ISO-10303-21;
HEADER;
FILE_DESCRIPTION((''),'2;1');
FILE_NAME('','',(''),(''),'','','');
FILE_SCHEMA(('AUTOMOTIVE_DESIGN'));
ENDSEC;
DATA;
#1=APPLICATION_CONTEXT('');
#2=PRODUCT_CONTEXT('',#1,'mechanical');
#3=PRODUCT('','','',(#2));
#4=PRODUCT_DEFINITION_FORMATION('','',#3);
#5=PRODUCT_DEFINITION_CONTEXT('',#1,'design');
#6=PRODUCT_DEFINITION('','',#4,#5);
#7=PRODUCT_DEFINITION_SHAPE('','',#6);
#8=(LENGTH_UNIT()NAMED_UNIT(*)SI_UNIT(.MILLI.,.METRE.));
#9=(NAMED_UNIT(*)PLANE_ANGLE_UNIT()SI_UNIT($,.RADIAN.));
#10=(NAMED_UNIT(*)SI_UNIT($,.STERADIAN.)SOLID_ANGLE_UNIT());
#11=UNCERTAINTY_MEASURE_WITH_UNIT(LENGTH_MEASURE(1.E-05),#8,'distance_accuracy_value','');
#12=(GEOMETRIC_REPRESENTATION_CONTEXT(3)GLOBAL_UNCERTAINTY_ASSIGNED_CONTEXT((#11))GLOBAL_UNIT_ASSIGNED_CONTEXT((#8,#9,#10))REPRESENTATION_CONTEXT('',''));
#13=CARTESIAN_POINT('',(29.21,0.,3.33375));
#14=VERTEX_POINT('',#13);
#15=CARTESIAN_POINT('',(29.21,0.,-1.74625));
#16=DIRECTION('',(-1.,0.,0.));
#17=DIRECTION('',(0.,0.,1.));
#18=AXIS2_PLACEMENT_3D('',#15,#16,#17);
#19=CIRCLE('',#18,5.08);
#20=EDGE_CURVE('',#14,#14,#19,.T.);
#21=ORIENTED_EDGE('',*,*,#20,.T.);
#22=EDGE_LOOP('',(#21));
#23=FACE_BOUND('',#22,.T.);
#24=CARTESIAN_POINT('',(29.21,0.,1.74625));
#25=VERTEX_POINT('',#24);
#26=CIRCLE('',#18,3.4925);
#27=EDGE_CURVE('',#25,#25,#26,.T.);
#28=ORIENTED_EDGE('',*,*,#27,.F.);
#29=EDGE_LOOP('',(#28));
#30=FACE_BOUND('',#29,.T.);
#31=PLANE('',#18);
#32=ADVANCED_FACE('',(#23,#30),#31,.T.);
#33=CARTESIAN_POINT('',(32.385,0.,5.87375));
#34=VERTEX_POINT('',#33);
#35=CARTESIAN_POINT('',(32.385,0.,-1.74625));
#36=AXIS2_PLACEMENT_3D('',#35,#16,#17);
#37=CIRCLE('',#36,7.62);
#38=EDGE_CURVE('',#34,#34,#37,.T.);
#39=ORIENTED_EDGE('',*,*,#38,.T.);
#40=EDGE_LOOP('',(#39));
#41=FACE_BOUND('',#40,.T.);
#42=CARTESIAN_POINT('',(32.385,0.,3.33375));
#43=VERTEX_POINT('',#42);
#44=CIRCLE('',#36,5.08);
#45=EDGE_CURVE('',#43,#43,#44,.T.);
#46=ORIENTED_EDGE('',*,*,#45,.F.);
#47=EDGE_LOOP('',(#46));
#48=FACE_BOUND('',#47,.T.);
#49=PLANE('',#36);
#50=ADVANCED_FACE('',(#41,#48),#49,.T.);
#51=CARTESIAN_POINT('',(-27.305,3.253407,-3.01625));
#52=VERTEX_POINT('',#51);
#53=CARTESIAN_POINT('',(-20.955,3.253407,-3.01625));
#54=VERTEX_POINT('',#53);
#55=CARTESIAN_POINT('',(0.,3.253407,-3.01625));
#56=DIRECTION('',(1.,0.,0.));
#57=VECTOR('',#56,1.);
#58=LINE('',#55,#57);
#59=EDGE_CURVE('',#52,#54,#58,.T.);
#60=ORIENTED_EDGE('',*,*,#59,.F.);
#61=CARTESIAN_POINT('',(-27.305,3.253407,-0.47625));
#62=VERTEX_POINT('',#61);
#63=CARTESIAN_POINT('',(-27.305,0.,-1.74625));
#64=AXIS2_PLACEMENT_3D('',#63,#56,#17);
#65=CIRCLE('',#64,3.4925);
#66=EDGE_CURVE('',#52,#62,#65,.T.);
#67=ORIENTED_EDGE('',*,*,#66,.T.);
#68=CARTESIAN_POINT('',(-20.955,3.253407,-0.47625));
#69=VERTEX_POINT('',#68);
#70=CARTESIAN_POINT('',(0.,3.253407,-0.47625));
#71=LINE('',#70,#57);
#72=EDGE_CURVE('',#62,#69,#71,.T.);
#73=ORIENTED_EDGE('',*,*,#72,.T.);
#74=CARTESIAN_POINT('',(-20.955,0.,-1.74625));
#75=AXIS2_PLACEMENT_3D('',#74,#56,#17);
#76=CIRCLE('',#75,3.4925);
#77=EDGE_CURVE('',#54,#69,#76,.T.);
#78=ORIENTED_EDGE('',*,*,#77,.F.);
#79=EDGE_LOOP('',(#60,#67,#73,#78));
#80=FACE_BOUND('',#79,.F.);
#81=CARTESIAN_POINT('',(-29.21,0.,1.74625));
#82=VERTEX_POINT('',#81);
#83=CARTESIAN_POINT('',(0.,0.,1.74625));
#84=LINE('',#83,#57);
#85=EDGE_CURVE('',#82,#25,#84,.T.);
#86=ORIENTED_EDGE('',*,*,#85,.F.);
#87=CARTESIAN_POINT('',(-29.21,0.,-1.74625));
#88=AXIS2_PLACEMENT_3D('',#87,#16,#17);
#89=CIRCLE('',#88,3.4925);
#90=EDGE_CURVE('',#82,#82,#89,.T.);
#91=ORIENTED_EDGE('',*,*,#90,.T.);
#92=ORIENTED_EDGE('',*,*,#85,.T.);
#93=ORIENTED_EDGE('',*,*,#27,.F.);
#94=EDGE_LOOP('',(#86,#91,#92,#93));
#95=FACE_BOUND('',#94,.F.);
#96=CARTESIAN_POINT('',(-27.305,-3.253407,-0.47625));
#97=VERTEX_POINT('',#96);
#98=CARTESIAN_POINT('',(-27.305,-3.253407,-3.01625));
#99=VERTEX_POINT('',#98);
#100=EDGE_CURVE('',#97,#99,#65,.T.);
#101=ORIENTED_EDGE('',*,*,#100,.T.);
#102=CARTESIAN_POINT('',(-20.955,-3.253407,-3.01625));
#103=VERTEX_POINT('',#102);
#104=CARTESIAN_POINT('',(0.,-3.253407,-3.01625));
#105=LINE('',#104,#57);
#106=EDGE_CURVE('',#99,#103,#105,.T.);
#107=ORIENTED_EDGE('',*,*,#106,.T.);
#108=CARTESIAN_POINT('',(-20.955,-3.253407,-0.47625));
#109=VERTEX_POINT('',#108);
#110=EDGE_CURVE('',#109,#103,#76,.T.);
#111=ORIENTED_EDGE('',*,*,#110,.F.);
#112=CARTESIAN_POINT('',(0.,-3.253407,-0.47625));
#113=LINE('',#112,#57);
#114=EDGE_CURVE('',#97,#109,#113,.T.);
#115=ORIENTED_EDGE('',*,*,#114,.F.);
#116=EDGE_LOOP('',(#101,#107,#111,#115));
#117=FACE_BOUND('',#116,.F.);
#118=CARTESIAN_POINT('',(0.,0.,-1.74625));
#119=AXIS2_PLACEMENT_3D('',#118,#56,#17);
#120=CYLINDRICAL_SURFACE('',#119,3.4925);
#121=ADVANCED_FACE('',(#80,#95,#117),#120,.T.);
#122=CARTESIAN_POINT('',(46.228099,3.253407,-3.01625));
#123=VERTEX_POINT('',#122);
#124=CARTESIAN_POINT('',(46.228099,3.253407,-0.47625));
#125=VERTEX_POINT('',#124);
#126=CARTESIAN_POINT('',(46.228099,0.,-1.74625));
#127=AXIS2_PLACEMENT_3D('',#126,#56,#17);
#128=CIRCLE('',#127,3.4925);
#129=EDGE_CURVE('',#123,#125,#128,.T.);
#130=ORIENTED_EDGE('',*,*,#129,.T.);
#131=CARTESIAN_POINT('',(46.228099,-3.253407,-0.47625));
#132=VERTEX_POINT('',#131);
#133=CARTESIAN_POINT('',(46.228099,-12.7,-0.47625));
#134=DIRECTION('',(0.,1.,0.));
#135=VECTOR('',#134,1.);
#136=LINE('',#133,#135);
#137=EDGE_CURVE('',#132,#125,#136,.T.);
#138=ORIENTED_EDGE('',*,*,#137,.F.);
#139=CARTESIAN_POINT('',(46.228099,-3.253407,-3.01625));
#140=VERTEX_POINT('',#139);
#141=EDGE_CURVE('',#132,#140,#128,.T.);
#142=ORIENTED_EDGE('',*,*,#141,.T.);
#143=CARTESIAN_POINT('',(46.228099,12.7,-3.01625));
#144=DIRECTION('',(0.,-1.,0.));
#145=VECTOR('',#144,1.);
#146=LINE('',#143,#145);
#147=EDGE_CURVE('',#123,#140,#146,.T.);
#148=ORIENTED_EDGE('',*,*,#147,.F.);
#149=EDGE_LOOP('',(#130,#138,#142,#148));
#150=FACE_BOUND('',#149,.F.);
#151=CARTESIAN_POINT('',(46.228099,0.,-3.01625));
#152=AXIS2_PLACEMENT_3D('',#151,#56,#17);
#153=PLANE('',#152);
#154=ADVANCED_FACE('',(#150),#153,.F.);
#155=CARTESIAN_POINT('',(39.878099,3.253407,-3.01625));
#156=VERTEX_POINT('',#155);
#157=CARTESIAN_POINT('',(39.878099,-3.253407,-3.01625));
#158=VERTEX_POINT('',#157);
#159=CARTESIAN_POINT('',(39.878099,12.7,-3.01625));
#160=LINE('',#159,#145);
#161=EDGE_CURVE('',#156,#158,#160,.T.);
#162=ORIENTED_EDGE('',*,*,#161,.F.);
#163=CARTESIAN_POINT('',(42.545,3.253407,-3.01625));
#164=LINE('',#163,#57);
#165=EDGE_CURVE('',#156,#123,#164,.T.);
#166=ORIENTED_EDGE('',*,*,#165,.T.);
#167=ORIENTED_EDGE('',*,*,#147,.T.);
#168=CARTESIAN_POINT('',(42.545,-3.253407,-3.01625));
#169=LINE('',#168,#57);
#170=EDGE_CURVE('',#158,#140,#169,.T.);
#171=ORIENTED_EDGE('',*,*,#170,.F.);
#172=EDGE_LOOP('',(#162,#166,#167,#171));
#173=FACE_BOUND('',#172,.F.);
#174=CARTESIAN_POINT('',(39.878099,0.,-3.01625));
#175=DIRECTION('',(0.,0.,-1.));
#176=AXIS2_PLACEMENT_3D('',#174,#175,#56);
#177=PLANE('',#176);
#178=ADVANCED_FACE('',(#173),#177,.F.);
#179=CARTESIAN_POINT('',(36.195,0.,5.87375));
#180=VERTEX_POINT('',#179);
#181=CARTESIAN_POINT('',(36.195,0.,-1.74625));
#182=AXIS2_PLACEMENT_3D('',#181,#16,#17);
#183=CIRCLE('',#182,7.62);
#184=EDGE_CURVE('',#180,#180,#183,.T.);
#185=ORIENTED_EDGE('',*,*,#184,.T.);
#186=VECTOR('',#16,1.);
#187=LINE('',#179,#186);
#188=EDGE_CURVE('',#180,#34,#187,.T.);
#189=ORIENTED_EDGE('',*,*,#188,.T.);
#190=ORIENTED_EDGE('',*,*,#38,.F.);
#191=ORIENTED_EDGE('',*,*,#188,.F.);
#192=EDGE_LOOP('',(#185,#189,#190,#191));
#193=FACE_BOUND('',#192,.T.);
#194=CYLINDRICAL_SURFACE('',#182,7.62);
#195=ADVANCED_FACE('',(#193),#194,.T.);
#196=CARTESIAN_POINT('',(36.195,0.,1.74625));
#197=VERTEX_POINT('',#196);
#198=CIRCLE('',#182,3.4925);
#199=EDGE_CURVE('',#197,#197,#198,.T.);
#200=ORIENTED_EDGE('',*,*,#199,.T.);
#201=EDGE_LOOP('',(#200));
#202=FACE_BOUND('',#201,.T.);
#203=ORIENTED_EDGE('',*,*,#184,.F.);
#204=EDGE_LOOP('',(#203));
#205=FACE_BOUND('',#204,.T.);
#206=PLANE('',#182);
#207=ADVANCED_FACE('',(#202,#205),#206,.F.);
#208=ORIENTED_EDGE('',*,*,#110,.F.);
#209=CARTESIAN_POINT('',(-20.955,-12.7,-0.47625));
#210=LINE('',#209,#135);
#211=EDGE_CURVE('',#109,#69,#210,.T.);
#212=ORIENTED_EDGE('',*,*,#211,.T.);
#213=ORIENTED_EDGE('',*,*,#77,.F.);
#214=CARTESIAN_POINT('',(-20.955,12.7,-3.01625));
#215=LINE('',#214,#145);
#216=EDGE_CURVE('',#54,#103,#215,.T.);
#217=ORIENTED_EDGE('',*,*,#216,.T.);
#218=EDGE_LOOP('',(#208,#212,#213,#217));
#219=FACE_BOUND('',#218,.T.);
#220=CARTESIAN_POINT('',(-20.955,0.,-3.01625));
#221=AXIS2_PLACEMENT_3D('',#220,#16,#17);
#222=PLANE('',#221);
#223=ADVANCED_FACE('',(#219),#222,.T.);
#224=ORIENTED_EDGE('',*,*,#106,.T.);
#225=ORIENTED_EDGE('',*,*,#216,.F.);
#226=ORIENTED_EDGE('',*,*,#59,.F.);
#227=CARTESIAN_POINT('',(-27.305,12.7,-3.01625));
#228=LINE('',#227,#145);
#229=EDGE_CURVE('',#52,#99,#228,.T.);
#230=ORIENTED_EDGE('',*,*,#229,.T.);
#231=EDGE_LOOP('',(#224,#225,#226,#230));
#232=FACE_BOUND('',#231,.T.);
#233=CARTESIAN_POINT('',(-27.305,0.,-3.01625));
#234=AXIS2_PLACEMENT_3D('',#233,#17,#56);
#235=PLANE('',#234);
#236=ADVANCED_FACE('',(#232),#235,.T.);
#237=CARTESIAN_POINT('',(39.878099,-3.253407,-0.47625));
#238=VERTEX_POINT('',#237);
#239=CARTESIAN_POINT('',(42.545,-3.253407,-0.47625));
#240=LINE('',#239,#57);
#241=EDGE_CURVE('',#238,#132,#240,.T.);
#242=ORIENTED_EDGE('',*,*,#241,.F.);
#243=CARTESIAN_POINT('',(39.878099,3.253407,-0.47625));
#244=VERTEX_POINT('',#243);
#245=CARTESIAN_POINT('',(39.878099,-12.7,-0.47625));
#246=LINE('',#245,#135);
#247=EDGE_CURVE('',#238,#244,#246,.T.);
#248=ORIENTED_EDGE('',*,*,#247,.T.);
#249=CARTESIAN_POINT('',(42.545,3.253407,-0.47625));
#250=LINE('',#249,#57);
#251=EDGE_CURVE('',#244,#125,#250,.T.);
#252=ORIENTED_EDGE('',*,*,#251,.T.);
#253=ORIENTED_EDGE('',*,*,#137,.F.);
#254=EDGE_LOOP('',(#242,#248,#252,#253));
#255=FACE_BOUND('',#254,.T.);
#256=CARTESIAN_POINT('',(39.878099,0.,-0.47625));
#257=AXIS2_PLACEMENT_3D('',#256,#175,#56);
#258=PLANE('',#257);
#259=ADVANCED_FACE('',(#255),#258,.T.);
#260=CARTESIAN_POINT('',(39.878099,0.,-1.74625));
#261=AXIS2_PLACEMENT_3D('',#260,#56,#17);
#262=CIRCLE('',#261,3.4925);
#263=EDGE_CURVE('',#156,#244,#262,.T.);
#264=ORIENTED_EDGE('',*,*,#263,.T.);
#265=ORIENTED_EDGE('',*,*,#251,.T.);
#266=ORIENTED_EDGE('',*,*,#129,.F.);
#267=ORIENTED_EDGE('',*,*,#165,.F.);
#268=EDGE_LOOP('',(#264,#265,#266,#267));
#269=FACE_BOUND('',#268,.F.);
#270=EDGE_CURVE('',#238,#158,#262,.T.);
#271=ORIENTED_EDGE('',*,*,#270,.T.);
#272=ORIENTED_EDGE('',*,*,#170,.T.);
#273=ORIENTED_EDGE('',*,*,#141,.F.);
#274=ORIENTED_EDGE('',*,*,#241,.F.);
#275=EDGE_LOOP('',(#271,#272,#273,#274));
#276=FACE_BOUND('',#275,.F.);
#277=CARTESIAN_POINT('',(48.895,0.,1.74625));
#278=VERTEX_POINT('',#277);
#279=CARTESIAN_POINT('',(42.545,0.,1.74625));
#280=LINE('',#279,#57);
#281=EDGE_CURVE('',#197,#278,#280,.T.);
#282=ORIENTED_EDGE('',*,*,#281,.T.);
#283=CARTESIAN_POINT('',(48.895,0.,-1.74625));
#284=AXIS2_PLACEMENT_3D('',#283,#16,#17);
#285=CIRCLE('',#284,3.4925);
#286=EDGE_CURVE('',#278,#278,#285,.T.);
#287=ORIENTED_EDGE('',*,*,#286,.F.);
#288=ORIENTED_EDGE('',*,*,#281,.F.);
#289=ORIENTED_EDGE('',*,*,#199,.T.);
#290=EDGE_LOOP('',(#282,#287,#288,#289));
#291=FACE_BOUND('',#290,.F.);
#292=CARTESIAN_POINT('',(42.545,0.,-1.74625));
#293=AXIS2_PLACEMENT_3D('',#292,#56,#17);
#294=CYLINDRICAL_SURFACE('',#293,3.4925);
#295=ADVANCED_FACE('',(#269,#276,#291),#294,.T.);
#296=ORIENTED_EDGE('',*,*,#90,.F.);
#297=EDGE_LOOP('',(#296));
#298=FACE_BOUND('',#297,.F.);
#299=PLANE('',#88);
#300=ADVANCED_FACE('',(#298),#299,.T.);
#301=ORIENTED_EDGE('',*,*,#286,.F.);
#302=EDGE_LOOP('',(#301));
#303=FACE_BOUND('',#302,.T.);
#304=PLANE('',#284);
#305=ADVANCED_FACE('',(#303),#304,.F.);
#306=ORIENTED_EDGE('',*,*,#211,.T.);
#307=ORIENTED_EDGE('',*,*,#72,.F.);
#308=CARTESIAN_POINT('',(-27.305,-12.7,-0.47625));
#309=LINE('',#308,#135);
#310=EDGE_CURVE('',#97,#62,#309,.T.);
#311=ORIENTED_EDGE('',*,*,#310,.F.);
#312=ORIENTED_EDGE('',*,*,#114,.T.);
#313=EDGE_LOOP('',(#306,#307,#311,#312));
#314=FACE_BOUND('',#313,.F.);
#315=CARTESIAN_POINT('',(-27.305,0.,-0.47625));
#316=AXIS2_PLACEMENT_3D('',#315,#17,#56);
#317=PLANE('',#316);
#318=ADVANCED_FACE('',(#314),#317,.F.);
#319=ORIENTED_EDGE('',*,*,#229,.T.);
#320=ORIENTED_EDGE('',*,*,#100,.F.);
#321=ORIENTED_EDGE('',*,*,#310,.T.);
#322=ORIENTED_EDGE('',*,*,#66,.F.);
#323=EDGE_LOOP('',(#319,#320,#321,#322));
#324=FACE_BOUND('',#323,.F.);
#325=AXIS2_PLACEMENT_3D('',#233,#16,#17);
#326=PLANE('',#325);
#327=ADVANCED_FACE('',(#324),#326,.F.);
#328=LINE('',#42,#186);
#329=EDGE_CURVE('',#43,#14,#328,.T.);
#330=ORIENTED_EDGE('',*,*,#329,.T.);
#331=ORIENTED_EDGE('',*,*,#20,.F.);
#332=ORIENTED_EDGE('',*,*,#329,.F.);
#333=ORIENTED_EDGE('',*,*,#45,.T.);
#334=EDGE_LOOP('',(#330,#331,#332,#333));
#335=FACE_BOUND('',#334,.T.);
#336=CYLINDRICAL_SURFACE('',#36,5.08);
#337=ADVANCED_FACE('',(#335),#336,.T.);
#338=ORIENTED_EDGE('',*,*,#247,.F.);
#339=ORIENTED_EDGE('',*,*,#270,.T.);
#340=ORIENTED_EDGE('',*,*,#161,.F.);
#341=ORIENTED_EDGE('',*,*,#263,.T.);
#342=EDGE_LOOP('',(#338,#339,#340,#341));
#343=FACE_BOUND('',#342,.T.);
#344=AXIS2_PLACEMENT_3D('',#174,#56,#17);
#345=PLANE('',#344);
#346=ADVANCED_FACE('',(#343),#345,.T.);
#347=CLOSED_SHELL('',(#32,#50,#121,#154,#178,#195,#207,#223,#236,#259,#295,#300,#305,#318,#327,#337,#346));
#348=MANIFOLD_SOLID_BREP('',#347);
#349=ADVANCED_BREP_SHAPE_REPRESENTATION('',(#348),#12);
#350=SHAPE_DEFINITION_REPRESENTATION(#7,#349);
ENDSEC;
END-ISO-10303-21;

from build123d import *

# Parameters (mm, degrees)
F0_W     = 58.42
F0_H     = 3.4925
F0_W_2   = 12.7
F2_W     = 6.35
F2_H     = 2.54
F3_DEPTH = 12.7


with BuildPart() as f1:
    # F0 (on Front) → F1 (revolve)
    with BuildSketch(Plane.XZ):
        Rectangle(F0_W, F0_H)
        Polygon((29.21, 1.74625), (29.21, -1.74625), (32.385, -1.74625), (32.385, 3.33375), (29.21, 3.33375), align=None)
        Polygon((32.385, 3.33375), (32.385, -1.74625), (36.195, -1.74625), (36.195, 1.74625), (36.195, 5.87375), (32.385, 5.87375), align=None)
        with Locations((42.545, 0)):
            Rectangle(F0_W_2, F0_H)
    revolve(axis=Axis((0, 0, -1.74625), (-1, 0, 0)))

    # F2 (on Front) → F3 (cut, symmetric)
    with BuildSketch(Plane.XZ):
        with Locations((-24.13, -1.74625)):
            Rectangle(F2_W, F2_H)
        with Locations((43.053099, -1.74625)):
            Rectangle(F2_W, F2_H)
    extrude(amount=F3_DEPTH, both=True, mode=Mode.SUBTRACT)


solid = f1.part
